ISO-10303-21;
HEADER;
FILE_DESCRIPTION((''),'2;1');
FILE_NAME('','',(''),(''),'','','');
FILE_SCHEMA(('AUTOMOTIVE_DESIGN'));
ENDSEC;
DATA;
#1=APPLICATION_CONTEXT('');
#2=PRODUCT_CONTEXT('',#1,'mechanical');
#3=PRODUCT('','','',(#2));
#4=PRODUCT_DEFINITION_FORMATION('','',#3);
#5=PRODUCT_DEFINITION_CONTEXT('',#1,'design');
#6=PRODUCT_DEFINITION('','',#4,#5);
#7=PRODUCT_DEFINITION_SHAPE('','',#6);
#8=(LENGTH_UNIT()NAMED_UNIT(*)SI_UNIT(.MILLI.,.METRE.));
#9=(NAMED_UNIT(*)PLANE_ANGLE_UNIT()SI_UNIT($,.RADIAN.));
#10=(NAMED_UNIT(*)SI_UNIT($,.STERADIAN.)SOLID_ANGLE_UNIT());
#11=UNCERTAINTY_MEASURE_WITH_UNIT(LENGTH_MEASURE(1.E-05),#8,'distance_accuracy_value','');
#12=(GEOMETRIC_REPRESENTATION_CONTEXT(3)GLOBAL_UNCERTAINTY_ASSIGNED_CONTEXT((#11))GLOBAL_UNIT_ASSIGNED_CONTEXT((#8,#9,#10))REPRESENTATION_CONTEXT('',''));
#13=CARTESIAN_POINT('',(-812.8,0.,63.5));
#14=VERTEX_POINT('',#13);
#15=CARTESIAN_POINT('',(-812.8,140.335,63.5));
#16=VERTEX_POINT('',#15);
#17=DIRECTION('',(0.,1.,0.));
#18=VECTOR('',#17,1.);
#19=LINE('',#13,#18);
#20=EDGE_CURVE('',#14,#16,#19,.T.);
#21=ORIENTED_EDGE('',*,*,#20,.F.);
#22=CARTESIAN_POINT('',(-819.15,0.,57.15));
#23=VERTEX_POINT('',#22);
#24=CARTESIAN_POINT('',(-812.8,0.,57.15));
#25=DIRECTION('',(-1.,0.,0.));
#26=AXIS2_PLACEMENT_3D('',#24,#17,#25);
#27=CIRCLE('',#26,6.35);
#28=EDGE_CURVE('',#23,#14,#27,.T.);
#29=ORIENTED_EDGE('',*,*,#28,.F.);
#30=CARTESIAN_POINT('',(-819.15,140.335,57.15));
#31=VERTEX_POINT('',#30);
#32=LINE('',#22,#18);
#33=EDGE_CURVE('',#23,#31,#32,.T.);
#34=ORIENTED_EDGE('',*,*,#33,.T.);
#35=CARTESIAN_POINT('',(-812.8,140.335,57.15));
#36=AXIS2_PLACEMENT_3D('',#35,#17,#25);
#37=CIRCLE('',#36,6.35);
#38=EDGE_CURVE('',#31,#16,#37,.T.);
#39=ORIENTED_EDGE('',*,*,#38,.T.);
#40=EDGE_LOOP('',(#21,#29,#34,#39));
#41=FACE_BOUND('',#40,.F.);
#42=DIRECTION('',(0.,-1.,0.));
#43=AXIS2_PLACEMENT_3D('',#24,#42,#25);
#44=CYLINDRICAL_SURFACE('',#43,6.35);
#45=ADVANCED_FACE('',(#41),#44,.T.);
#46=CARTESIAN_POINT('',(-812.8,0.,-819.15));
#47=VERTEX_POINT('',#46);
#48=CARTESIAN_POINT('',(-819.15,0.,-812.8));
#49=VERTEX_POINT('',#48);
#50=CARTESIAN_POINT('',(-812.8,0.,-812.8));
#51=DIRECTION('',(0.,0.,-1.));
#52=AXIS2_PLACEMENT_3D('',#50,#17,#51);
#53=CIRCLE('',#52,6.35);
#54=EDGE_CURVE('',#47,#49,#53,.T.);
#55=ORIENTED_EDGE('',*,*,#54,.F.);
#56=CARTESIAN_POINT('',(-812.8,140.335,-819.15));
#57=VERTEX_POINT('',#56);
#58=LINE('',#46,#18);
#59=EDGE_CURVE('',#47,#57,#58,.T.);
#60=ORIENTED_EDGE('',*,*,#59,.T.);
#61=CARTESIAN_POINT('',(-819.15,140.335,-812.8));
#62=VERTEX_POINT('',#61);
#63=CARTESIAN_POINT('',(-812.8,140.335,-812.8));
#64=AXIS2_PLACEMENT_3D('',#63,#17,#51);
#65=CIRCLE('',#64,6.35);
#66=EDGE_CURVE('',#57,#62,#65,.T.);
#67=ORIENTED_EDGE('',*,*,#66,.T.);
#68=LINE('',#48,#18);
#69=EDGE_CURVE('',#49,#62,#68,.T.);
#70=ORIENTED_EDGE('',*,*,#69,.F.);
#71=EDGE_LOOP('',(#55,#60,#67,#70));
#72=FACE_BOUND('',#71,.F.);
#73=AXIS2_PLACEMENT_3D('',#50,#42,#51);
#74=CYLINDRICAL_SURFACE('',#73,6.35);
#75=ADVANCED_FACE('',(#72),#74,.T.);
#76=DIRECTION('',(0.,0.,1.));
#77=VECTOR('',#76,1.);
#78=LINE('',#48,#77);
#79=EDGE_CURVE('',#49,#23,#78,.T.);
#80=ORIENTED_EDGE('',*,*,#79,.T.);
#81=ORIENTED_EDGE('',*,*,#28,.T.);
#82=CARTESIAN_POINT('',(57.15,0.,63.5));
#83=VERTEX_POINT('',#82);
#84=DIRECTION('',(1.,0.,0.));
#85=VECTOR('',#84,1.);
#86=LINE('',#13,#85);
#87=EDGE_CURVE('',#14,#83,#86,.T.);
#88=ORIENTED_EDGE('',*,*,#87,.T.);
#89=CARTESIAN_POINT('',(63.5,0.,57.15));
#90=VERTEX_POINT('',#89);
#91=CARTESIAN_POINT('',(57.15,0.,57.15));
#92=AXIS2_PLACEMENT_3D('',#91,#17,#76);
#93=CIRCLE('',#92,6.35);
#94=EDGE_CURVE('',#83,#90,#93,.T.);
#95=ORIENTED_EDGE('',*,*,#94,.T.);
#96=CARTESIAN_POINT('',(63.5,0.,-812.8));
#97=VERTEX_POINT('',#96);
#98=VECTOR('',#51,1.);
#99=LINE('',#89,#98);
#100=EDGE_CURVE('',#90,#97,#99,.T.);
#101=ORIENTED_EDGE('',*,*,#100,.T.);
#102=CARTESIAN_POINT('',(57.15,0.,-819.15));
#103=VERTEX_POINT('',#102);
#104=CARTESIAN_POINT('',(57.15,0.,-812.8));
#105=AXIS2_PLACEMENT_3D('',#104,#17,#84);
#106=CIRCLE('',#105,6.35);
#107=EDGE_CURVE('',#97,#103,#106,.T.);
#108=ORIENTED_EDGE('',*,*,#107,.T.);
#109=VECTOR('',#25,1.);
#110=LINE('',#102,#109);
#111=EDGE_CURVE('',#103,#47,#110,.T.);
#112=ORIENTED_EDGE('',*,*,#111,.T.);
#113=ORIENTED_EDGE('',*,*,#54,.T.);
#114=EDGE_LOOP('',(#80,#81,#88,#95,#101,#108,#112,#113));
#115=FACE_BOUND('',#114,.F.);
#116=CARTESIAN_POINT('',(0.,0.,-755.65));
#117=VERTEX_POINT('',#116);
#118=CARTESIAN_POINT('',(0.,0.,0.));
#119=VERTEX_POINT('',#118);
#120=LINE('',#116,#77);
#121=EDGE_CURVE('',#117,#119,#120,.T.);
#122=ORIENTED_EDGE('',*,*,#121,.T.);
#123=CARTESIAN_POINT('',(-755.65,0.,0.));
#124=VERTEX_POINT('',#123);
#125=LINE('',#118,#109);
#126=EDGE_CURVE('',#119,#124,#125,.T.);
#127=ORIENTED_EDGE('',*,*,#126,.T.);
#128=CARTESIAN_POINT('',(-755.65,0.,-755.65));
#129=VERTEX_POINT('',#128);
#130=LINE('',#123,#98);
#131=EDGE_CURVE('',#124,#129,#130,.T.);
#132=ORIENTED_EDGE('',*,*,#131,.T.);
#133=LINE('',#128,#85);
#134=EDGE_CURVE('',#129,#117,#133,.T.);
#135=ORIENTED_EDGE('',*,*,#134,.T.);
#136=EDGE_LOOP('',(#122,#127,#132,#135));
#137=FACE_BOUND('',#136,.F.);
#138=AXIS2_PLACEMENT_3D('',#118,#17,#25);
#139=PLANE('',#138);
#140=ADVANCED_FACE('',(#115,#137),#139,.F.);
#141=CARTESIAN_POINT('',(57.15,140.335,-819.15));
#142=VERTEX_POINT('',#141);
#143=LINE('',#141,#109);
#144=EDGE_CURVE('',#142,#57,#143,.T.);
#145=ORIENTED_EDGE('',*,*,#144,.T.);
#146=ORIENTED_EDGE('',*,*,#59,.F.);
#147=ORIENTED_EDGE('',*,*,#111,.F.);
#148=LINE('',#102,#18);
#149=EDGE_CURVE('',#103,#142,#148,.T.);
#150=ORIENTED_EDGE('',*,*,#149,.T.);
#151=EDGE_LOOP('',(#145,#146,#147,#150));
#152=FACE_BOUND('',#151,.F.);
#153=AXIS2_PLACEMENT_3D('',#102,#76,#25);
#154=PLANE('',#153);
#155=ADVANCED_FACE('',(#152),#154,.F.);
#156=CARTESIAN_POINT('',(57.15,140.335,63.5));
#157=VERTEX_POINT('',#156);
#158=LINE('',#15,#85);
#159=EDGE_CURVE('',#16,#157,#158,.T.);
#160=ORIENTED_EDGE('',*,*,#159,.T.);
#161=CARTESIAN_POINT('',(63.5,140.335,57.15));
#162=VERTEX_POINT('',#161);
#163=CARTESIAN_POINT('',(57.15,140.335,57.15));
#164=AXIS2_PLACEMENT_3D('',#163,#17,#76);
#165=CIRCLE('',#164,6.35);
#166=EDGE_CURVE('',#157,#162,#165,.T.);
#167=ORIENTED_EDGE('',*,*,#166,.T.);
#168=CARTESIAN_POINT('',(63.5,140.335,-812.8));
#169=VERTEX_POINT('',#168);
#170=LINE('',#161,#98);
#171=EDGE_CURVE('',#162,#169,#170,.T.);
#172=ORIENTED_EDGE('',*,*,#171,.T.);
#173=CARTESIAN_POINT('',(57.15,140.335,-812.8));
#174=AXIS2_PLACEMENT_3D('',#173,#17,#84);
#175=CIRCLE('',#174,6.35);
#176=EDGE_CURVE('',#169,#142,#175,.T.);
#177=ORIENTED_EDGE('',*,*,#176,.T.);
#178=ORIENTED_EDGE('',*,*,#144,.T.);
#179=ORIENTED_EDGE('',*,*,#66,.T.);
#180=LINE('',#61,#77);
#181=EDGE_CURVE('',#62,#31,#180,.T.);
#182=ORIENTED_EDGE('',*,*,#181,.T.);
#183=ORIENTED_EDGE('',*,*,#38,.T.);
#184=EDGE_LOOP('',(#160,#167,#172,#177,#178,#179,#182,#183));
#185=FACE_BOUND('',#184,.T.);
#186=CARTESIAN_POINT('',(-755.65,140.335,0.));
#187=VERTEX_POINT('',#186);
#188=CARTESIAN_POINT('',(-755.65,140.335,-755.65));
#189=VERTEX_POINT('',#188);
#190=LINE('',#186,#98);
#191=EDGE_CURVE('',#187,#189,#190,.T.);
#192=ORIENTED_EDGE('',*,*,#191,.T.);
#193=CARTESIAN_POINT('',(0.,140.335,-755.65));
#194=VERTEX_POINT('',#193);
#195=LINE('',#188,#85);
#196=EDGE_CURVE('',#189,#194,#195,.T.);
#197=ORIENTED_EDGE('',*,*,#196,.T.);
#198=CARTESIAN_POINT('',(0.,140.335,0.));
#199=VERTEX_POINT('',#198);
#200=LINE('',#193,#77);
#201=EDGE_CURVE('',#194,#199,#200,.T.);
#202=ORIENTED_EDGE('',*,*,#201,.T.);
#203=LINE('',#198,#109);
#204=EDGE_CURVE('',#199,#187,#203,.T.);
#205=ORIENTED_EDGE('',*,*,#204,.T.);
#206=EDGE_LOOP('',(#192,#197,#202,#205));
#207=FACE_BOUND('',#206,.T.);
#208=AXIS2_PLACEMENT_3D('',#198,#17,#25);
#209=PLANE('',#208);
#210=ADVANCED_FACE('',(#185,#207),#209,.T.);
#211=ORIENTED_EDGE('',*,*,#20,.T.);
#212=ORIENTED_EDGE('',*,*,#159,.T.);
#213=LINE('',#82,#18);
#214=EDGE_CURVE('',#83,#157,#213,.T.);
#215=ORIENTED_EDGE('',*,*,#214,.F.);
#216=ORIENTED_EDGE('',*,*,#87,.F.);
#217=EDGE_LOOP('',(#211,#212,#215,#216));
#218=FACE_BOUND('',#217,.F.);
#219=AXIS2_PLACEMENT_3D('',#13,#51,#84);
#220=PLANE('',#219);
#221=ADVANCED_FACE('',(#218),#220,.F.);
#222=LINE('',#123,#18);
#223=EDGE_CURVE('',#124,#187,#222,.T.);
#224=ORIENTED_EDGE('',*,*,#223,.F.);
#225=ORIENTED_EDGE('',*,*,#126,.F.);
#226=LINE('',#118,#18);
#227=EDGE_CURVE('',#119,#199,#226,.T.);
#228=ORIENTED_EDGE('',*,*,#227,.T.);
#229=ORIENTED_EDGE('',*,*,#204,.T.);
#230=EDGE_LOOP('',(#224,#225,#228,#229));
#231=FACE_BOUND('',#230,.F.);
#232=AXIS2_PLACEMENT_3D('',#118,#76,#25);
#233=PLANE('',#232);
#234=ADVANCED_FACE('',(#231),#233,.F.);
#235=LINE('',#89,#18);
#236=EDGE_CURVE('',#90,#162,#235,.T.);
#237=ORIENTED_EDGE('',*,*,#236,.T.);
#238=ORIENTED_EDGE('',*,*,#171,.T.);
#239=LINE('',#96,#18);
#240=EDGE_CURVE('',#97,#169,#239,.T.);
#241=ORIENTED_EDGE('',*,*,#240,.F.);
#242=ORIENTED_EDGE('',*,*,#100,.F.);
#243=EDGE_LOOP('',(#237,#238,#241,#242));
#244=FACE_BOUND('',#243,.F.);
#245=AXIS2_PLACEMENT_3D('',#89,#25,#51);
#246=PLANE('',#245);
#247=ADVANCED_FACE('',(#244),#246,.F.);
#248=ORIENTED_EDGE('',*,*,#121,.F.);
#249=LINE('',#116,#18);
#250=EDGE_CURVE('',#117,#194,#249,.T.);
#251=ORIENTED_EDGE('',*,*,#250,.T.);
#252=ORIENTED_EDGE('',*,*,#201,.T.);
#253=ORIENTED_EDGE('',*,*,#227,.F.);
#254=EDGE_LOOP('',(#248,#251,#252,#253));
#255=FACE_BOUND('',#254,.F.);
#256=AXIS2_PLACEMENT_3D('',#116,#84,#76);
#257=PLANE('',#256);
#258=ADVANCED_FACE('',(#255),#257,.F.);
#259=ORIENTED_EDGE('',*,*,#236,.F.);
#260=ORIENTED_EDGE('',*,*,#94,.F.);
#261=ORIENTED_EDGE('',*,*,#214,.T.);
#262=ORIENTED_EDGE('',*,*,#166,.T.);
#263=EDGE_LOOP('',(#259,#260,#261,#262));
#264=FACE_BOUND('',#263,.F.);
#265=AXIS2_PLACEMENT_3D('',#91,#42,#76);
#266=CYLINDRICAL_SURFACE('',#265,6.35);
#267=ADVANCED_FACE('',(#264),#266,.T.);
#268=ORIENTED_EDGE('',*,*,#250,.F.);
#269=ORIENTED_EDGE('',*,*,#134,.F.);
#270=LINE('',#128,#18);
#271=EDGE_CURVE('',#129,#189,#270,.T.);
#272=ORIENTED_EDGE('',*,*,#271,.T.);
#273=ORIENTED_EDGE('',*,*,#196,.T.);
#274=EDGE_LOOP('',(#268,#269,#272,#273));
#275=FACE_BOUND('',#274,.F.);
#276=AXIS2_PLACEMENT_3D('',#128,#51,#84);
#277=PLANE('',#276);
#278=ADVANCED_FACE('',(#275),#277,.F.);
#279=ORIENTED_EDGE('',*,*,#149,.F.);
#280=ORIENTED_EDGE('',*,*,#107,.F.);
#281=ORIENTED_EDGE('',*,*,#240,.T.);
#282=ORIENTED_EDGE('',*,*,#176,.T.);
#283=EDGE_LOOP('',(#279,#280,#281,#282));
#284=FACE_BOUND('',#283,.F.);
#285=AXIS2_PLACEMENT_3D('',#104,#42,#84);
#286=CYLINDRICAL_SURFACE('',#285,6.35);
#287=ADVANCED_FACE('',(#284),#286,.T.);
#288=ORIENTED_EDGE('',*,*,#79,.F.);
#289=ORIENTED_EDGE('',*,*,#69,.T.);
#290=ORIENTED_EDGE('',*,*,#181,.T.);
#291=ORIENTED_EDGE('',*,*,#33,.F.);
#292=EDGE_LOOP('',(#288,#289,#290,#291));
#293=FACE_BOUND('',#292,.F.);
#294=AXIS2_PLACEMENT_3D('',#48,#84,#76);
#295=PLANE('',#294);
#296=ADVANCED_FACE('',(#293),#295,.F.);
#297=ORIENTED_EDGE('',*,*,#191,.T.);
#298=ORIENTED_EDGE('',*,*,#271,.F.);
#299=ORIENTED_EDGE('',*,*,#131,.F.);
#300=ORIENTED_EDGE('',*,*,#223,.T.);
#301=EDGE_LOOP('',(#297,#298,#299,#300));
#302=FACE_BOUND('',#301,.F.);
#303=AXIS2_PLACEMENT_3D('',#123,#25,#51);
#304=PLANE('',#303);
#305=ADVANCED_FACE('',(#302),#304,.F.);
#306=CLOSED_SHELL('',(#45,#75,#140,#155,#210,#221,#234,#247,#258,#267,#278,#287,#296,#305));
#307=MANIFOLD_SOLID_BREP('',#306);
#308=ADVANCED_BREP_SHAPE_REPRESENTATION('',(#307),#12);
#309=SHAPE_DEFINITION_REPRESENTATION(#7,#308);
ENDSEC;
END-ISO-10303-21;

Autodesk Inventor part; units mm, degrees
ref_plane "YZ Plane" through (0, 0, 0) normal (1, 0, 0) x (0, 1, 0)
ref_plane "XZ Plane" through (0, 0, 0) normal (0, 1, 0) x (-1, 0, 0)
ref_plane "XY Plane" through (0, 0, 0) normal (0, 0, 1) x (1, 0, 0)
sketch "Sketch5" plane through (0, 0, 0) normal (0, 1, 0) x (-1, 0, 0)
  line L0 (0, 0) -> (755.65, 0)
  line L1 (755.65, 0) -> (755.65, -755.65)
  line L2 (755.65, -755.65) -> (0, -755.65)
  line L3 (0, -755.65) -> (0, 0)
  line L4 (819.15, -812.8) -> (819.15, 57.15)
  line L5 (812.8, 63.5) -> (-57.15, 63.5)
  line L6 (-63.5, 57.15) -> (-63.5, -812.8)
  line L7 (-57.15, -819.15) -> (812.8, -819.15)
  arc A0 (819.15, 57.15) -> (812.8, 63.5) centre (812.8, 57.15) ccw
  arc A1 (812.8, -819.15) -> (819.15, -812.8) centre (812.8, -812.8) ccw
  arc A2 (-63.5, -812.8) -> (-57.15, -819.15) centre (-57.15, -812.8) ccw
  arc A3 (-57.15, 63.5) -> (-63.5, 57.15) centre (-57.15, 57.15) ccw
  dimension "d13" = 755.65
  dimension "d14" = 755.65
  dimension "d15" = 63.5
  dimension "d16" = 6.35
extrude "Extrusion2" add sketch "Sketch5" along normal blind 140.335
properties part number "Bumpers"
